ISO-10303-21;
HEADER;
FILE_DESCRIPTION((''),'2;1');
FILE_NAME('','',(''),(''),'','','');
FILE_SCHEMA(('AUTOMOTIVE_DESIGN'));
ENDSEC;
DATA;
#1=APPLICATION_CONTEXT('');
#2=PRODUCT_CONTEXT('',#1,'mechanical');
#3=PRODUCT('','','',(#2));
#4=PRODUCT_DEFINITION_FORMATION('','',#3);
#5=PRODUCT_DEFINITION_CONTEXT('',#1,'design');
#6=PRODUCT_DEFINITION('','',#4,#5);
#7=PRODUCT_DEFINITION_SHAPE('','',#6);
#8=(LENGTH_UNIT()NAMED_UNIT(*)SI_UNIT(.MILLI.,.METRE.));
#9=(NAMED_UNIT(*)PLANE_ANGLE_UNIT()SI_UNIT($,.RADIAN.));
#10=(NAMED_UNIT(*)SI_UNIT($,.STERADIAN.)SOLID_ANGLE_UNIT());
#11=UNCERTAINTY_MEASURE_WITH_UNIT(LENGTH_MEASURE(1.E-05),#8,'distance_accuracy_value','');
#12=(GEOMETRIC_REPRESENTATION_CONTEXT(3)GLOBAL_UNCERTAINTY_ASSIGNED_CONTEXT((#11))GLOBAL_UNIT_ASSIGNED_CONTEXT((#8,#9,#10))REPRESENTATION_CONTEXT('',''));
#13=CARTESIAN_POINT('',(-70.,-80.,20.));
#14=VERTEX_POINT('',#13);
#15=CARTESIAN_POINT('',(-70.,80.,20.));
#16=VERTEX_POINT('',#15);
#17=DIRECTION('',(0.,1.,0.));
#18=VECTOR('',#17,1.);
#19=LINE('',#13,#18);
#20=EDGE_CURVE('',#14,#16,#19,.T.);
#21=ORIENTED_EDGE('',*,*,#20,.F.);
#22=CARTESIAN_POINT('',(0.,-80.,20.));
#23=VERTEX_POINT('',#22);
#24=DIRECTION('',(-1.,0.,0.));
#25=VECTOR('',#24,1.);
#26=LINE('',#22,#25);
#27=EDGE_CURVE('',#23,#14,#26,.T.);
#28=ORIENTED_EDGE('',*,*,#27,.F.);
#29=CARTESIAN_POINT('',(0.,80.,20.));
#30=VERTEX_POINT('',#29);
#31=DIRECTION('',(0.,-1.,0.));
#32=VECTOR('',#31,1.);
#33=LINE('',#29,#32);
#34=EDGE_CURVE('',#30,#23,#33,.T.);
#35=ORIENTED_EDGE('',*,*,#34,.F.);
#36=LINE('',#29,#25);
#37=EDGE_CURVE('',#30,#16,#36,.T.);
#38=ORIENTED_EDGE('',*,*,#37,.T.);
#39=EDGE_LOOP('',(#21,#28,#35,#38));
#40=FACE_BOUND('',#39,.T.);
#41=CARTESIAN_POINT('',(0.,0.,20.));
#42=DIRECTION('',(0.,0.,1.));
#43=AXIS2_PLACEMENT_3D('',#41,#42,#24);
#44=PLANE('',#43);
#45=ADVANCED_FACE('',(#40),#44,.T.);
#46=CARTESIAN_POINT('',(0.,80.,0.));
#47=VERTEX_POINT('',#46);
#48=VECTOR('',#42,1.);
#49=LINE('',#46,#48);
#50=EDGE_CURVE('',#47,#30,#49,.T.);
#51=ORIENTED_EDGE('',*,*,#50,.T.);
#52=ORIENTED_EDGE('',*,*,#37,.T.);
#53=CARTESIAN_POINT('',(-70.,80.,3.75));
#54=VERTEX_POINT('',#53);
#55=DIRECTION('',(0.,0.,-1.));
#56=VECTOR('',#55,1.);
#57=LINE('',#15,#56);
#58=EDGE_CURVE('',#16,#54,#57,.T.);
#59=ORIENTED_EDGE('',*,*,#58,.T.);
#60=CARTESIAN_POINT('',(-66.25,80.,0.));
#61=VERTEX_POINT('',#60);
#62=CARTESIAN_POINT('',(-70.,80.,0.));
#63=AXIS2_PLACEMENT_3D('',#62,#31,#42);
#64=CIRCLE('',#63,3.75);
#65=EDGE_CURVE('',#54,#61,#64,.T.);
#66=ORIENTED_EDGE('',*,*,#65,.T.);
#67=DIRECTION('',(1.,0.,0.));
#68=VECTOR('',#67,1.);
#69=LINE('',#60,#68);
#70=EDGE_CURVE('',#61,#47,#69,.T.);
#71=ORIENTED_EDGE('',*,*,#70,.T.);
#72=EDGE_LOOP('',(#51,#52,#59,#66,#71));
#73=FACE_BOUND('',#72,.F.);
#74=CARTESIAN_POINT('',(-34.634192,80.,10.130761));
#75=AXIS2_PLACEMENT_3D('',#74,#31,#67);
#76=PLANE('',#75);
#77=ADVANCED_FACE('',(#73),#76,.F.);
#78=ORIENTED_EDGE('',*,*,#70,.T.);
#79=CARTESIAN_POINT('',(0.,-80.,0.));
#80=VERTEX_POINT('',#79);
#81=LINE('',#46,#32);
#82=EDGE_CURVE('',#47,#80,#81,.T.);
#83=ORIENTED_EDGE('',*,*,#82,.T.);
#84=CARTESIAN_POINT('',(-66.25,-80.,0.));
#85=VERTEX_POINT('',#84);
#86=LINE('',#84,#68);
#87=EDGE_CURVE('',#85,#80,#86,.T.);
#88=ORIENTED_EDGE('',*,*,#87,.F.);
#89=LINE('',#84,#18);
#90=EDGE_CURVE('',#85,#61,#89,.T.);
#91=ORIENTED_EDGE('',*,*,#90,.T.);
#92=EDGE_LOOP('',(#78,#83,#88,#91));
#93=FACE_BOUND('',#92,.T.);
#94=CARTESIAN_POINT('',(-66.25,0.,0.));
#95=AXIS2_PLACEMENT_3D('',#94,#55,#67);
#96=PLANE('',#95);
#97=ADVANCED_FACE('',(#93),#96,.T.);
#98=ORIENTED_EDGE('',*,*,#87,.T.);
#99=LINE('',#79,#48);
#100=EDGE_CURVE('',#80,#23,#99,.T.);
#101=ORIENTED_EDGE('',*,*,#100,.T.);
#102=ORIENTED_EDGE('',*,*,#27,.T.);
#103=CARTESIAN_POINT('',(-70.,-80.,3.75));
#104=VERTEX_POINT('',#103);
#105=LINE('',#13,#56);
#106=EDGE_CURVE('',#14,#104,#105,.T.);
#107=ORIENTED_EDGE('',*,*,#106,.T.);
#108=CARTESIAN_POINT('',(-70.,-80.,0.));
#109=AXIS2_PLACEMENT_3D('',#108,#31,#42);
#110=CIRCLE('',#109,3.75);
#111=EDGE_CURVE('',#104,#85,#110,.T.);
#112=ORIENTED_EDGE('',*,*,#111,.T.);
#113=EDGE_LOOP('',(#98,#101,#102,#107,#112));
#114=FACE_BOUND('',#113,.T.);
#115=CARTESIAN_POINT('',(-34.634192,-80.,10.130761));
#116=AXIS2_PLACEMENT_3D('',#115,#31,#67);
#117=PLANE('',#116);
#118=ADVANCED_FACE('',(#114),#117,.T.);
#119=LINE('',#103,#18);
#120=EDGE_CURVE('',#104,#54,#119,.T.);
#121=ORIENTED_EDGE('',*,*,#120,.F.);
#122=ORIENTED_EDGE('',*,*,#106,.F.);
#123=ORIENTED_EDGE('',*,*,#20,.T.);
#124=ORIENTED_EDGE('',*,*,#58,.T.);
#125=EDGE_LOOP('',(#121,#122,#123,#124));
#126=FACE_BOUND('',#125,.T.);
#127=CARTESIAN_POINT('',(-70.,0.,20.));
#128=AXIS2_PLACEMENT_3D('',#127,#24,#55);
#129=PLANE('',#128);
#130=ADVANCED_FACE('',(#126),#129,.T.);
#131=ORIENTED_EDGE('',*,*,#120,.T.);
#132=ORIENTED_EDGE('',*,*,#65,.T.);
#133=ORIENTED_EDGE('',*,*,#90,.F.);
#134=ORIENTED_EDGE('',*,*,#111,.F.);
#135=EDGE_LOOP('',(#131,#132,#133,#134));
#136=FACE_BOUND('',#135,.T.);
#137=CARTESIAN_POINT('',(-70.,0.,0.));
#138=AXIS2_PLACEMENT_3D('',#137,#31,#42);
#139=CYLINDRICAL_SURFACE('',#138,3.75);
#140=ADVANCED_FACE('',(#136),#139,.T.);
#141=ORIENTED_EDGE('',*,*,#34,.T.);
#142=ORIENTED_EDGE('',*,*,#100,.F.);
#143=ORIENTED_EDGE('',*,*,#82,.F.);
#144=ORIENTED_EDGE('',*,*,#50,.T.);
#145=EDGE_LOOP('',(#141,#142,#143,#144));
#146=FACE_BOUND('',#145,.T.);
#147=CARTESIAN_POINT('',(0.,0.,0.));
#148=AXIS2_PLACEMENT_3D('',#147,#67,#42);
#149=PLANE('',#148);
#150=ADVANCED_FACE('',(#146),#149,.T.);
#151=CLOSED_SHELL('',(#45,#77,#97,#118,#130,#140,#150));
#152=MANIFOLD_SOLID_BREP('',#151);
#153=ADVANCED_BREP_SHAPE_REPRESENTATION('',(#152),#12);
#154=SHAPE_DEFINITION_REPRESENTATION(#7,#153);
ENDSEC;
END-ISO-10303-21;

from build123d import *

# Parameters (mm, degrees)
F1_DEPTH = 80


with BuildPart() as f1:
    # F0 (on Front) → F1 (new body, symmetric)
    with BuildSketch(Plane.XZ):
        with BuildLine():
            Line((-66.25, 0), (0, 0))
            Line((0, 0), (0, 20))
            Line((0, 20), (-70, 20))
            Line((-70, 20), (-70, 3.75))
            ThreePointArc((-70, 3.75), (-67.3483495706, 2.6516504294), (-66.25, 0))
        make_face()
        with BuildLine():
            ThreePointArc((-70, 3.75), (-72.6516504294, -2.6516504294), (-66.25, 0))
            Line((-66.25, 0), (-70, 0))
            Line((-70, 0), (-70, 3.75))
        make_face()
        with BuildLine():
            Line((-70, 0), (-66.25, 0))
            ThreePointArc((-66.25, 0), (-67.3483495706, 2.6516504294), (-70, 3.75))
            Line((-70, 3.75), (-70, 0))
        make_face()
    extrude(amount=F1_DEPTH, both=True)


solid = f1.part
